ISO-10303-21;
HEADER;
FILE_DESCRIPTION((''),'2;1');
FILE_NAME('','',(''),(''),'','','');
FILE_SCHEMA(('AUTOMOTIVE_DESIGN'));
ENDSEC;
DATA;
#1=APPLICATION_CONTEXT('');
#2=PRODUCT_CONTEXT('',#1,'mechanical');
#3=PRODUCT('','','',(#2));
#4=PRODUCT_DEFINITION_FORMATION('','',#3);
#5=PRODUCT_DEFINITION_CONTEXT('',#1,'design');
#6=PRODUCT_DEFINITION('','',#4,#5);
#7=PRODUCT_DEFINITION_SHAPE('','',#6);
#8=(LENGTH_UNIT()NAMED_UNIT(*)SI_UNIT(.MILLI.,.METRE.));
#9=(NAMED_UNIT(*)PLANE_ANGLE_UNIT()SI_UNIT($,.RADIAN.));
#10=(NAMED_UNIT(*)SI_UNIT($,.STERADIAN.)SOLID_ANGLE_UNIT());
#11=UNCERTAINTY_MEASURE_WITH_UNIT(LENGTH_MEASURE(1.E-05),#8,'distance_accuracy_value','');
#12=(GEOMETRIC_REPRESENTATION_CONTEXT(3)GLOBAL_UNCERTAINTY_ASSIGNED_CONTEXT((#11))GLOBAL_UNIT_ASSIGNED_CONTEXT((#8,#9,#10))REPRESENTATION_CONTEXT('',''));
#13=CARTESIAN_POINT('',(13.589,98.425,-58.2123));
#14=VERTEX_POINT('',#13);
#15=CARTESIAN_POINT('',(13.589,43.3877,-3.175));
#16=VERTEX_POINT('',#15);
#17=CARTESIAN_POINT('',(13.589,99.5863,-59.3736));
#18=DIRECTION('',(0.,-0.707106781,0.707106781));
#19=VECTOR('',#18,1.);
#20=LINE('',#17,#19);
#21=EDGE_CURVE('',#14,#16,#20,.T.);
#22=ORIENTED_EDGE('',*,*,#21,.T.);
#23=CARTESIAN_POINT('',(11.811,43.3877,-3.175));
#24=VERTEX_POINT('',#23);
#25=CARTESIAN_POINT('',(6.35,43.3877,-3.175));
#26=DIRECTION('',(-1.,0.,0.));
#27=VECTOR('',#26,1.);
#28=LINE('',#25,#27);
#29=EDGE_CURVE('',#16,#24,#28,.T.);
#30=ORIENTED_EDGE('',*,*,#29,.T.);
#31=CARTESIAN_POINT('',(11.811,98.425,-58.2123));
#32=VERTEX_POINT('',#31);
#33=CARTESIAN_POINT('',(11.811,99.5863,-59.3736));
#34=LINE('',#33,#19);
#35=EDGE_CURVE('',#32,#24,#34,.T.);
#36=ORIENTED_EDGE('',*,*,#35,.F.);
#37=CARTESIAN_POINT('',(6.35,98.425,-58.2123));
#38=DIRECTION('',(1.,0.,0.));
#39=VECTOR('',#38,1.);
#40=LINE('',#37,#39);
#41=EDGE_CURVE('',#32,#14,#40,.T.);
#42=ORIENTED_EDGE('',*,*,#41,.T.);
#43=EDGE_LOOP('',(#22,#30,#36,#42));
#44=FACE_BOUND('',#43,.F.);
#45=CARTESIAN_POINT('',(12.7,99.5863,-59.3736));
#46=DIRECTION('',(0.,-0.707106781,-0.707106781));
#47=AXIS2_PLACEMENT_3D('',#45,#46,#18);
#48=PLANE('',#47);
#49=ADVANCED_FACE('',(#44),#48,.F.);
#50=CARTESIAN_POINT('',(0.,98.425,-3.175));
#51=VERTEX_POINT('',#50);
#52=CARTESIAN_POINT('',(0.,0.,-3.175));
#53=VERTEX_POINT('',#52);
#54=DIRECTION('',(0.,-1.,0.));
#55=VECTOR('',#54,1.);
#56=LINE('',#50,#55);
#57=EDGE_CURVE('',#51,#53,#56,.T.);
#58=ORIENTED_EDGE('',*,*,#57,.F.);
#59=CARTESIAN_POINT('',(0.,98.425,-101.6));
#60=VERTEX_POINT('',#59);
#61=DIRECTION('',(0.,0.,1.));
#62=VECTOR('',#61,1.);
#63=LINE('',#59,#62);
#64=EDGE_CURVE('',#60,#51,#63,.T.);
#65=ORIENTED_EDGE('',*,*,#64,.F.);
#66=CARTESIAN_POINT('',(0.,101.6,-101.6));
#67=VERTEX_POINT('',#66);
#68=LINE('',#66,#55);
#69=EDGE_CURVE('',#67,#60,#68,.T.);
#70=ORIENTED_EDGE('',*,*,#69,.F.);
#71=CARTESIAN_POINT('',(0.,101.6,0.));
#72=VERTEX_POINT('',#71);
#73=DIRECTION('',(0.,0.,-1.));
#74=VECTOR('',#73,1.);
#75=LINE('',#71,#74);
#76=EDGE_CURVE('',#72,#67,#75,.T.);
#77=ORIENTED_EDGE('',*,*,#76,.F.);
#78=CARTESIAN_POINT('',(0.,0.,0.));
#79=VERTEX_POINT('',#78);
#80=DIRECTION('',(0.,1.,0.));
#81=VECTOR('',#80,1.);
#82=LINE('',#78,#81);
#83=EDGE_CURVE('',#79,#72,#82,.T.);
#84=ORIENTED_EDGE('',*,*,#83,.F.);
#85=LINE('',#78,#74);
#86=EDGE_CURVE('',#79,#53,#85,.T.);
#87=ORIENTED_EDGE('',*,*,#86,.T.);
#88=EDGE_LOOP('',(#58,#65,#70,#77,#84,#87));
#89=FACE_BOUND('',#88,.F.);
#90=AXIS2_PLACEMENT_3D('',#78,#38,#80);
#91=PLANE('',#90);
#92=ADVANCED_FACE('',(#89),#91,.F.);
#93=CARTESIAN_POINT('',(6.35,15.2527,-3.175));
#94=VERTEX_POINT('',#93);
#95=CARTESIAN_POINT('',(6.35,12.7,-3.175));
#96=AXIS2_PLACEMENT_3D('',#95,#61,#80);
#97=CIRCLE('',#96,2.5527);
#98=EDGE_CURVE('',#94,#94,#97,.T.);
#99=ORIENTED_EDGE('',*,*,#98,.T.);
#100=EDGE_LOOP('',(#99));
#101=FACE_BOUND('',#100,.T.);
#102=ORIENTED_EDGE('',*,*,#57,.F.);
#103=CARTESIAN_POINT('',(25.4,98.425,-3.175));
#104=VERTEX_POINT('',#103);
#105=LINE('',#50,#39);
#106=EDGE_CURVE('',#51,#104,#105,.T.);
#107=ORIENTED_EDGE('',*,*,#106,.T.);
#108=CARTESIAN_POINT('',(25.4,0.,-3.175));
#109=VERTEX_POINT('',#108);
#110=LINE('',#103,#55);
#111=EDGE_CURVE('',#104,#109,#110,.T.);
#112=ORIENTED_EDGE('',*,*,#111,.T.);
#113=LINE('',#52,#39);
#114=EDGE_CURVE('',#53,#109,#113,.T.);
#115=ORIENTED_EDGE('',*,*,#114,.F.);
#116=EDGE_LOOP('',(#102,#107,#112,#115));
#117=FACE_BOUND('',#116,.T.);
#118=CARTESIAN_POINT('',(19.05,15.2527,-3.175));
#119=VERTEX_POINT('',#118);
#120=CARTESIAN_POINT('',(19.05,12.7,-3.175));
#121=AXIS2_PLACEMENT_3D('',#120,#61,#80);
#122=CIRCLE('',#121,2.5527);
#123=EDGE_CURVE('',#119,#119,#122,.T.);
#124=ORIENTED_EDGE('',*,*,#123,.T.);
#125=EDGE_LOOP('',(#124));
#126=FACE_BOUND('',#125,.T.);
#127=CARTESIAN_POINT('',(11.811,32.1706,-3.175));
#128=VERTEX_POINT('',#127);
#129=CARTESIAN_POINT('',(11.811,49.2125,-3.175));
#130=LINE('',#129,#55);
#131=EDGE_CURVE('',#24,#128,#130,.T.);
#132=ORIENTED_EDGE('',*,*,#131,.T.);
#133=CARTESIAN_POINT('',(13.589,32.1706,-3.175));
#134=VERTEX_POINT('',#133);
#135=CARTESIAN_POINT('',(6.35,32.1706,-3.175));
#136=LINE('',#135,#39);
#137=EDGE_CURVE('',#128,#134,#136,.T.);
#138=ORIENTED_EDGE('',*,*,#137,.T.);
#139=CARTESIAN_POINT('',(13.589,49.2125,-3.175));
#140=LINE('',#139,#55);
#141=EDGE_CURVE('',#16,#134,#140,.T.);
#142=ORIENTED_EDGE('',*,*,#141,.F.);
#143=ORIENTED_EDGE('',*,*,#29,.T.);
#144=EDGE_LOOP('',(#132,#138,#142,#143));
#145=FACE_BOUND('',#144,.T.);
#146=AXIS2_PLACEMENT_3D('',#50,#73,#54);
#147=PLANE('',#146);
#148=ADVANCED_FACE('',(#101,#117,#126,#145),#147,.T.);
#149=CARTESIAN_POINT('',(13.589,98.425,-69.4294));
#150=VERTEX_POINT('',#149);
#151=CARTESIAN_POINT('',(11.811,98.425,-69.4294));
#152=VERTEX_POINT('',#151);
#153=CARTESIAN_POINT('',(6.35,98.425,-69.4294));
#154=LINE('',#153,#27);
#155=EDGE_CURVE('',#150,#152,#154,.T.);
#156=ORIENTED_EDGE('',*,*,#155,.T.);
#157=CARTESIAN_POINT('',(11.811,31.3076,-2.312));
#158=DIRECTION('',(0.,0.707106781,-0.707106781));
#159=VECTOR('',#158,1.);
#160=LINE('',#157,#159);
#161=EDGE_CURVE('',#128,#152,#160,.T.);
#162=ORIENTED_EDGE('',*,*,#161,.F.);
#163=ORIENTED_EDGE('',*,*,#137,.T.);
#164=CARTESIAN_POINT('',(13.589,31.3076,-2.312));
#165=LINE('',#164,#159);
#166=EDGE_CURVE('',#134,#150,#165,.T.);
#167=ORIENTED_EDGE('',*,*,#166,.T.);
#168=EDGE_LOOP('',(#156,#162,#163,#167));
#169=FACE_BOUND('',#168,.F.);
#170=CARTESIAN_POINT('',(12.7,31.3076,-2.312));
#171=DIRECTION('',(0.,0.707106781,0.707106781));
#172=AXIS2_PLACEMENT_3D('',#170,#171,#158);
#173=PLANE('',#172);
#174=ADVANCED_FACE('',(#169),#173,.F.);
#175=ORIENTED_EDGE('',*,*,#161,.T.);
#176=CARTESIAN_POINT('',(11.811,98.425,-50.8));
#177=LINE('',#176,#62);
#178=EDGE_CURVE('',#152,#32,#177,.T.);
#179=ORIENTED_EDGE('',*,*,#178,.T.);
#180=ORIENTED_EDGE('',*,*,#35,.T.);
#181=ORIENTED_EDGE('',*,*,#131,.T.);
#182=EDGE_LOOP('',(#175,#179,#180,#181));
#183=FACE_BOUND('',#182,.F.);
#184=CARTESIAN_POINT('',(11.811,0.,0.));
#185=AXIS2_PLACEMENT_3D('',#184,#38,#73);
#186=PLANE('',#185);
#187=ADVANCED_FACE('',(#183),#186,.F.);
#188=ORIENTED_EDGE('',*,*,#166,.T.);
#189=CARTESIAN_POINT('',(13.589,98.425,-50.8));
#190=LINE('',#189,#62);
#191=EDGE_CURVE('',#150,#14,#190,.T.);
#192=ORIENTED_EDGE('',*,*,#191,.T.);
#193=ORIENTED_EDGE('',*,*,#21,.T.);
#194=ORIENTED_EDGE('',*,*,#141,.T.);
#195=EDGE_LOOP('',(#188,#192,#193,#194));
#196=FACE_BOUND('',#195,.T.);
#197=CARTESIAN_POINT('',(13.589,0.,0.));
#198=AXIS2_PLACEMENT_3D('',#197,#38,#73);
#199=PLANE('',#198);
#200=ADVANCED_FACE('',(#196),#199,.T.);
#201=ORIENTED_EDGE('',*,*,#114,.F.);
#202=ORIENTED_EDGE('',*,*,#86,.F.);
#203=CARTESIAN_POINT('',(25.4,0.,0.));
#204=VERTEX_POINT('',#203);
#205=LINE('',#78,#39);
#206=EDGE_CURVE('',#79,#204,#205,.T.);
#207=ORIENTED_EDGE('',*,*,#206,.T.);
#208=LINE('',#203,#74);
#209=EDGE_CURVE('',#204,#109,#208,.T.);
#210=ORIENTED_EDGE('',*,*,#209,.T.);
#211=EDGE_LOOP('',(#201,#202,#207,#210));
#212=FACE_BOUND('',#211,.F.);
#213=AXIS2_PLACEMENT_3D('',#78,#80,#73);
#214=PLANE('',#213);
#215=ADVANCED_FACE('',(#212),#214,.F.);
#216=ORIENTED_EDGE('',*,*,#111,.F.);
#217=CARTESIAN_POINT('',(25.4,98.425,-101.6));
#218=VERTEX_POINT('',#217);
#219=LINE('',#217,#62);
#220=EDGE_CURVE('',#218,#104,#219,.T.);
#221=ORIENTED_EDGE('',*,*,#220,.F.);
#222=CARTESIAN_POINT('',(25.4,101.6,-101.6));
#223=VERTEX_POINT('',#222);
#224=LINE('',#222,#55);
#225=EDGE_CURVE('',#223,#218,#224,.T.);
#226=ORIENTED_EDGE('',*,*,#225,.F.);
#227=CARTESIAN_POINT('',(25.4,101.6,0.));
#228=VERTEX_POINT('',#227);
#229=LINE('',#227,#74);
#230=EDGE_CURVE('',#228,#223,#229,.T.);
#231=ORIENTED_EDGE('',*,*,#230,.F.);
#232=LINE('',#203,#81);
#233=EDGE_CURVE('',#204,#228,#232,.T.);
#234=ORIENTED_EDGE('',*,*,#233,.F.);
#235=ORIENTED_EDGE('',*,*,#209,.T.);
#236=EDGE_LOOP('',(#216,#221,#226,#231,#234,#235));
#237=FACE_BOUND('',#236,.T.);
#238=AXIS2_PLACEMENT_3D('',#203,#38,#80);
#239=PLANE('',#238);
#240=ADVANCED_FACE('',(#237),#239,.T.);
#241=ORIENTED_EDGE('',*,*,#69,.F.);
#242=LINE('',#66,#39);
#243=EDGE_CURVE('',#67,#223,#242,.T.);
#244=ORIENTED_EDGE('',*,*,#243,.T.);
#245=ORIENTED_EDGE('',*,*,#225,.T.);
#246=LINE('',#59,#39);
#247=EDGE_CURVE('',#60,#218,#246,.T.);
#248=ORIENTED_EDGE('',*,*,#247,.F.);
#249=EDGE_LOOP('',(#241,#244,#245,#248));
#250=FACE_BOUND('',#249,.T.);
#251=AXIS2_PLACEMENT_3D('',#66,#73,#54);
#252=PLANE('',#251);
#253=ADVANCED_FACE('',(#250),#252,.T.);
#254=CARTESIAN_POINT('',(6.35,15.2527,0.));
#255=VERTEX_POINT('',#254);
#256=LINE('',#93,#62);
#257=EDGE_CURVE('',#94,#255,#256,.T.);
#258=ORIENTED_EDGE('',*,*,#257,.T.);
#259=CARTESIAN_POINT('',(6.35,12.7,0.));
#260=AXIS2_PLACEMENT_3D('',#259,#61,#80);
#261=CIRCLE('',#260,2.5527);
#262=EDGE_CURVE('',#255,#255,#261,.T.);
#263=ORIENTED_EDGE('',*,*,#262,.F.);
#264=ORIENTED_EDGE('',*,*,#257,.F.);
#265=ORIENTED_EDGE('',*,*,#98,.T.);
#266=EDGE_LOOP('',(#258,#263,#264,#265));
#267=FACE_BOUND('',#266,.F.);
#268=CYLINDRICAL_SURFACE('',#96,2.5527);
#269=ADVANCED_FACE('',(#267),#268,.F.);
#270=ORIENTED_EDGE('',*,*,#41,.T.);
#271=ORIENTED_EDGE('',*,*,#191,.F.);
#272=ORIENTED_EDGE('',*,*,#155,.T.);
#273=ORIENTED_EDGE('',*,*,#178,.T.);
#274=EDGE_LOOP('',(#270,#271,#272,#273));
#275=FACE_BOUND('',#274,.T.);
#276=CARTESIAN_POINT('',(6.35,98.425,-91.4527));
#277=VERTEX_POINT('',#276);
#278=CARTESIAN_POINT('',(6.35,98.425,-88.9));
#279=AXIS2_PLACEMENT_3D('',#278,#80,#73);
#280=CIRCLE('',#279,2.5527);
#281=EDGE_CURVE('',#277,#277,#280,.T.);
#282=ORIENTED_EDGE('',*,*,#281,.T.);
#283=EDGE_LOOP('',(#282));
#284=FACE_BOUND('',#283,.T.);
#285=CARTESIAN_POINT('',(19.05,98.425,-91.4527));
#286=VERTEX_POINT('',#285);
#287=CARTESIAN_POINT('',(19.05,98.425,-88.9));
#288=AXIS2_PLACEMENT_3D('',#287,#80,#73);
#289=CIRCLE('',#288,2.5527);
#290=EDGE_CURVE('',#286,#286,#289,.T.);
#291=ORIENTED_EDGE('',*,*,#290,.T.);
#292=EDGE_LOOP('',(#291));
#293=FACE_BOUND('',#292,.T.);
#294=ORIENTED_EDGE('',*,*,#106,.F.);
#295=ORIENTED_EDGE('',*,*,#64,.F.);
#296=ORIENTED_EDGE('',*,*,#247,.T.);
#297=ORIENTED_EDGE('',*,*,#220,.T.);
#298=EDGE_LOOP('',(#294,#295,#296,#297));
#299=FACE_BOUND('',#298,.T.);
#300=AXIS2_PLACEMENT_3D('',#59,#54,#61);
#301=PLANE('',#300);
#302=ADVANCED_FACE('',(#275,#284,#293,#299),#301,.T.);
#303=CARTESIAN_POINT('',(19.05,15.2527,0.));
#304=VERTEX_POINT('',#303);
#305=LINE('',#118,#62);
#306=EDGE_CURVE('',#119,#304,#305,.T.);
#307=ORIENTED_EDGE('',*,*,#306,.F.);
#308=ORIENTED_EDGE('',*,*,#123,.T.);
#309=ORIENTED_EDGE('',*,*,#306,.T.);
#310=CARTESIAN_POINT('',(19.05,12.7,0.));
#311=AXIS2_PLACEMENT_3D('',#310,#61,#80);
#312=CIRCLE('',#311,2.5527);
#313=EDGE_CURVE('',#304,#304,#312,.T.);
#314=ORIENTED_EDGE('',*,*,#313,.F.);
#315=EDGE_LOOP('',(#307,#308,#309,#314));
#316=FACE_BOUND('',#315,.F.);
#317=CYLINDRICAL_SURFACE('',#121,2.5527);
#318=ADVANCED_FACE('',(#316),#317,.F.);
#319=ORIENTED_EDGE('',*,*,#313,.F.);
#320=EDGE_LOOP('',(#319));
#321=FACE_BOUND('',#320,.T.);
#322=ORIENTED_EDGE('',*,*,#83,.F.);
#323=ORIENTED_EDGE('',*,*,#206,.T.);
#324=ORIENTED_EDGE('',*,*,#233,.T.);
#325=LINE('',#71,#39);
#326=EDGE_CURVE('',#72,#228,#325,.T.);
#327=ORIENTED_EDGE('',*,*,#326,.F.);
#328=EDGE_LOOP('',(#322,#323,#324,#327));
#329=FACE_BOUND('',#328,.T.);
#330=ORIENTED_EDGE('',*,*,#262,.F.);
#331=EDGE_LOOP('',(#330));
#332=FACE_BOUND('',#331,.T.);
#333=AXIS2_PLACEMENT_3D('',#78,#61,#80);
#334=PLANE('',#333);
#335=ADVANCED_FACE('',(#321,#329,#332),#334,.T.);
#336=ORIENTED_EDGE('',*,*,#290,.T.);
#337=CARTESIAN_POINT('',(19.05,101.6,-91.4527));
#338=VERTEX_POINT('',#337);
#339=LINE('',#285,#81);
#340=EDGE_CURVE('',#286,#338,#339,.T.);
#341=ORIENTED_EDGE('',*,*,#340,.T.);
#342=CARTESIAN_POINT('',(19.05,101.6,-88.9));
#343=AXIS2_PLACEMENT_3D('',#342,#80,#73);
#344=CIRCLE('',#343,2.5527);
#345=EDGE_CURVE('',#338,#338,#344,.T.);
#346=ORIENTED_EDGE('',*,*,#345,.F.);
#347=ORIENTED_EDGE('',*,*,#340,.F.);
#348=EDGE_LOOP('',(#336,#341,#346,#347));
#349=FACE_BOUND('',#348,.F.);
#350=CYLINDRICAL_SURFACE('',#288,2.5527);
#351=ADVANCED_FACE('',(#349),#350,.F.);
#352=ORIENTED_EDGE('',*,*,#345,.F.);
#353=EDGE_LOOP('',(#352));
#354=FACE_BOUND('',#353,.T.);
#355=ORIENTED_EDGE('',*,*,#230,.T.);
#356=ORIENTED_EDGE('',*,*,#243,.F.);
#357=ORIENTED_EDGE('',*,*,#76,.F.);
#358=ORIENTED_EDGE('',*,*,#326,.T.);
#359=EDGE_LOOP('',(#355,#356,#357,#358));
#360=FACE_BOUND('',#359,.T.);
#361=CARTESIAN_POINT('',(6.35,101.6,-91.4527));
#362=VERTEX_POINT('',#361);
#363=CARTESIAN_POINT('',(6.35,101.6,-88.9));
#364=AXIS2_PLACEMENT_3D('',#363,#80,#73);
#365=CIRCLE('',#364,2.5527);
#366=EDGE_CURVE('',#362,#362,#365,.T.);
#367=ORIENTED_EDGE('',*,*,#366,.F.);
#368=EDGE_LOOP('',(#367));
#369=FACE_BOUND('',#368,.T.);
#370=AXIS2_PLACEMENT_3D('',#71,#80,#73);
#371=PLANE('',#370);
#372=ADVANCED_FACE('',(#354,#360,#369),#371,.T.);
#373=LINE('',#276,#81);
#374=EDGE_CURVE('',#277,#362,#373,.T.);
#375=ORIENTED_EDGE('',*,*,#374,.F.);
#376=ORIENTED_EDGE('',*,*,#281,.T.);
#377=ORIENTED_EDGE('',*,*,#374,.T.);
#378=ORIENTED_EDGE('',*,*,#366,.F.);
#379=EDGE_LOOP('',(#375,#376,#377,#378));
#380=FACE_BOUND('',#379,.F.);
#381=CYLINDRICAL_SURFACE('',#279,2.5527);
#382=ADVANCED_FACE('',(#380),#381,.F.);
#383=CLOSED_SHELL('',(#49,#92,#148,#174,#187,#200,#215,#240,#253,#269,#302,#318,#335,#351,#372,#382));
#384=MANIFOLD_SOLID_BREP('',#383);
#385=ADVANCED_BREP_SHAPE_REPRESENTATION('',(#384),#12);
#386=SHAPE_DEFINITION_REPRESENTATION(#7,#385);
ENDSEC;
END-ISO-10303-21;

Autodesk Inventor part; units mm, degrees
ref_plane "YZ Plane" through (0, 0, 0) normal (1, 0, 0) x (0, 1, 0)
ref_plane "XZ Plane" through (0, 0, 0) normal (0, 1, 0) x (-1, 0, 0)
sketch "Sketch1" plane through (0, 0, 0) normal (1, 0, 0) x (0, 1, 0)
  line L0 (0, 0) -> (101.6, 0)
  line L1 (101.6, 0) -> (101.6, -101.6)
  line L2 (98.425, -101.6) -> (98.425, -3.175)
  line L3 (98.425, -3.175) -> (0, -3.175)
  line L4 (101.6, -101.6) -> (98.425, -101.6)
  line L5 (0, 0) -> (0, -3.175)
  dimension "d0" = 101.6
  dimension "d1" = 101.6
  dimension "d2" = 3.175
extrude "Extrusion1" add sketch "Sketch1" along normal blind 25.4
ref_plane "Work Plane1" through (12.7, 0, 0) normal (1, 0, 0) x (0, 0, -1)
sketch "Sketch2" plane through (12.7, 0, 0) normal (1, 0, 0) x (0, 0, -1)
  line L0 (2.312, 31.3076) -> (70.5907, 99.5863)
  line L1 (2.312, 31.3076) -> (98.8727, 31.3076) construction
  line L2 (59.3736, 99.5863) -> (2.312, 42.5247)
  line L3 (70.5907, 99.5863) -> (59.3736, 99.5863)
  line L4 (2.312, 31.3076) -> (2.312, 42.5247)
  point P0 (0, 0)
  dimension "d6" = 45
  dimension "d7" = 7.9317
extrude "Extrusion2" add sketch "Sketch2" along normal mid plane 1.778
sketch "Sketch4" plane through (0, 98.425, -101.6) normal (0, -1, 0) x (1, 0, 0)
  line L0 (0, 0) -> (0, 98.425) projected
  line L1 (0, 0) -> (25.4, 0) projected
  circle A0 centre (6.35, 12.7) radius 2.2746
  circle A1 centre (19.05, 12.7) radius 2.2746
  point P0 (0, 101.6)
  dimension "d10" = 12.7
  dimension "d11" = 6.35
  dimension "d14" = 12.7
hole "Hole1" at (19.05, 98.425, -88.9) at (6.35, 98.425, -88.9) direction (0, 1, 0) diameter 5.1054 depth 25.4 tip angle 118 clearance for "Flat Head Machine Screw (82)" size "#10" standard "Ansi Unified Screw Threads"
sketch "Sketch5" plane through (0, 0, -3.175) normal (0, 0, -1) x (-1, 0, 0)
  line L0 (-25.4, 0) -> (-25.4, 98.425) projected
  line L1 (0, 0) -> (-25.4, 0) projected
  circle A0 centre (-19.05, 12.7) radius 2.2861
  circle A1 centre (-6.35, 12.7) radius 2.2861
  dimension "d26" = 12.7
  dimension "d27" = 6.35
  dimension "d30" = 12.7
hole "Hole2" at (19.05, 12.7, -3.175) at (6.35, 12.7, -3.175) direction (0, 0, 1) diameter 5.1054 depth 25.4 tip angle 118 clearance for "Flat Head Machine Screw (82)" size "#10" standard "Ansi Unified Screw Threads"
equation "\"d11\" = 0.25 * d3"
equation "\"d14\" = 0.5 * d3"
equation "\"d27\" = 0.25 * d3"
equation "\"d30\" = 0.5 * d3"
equation "\"d5\" = -0.5 * d3"
equation "\"d3\" = 25.4"
properties part number "angleBracket"
